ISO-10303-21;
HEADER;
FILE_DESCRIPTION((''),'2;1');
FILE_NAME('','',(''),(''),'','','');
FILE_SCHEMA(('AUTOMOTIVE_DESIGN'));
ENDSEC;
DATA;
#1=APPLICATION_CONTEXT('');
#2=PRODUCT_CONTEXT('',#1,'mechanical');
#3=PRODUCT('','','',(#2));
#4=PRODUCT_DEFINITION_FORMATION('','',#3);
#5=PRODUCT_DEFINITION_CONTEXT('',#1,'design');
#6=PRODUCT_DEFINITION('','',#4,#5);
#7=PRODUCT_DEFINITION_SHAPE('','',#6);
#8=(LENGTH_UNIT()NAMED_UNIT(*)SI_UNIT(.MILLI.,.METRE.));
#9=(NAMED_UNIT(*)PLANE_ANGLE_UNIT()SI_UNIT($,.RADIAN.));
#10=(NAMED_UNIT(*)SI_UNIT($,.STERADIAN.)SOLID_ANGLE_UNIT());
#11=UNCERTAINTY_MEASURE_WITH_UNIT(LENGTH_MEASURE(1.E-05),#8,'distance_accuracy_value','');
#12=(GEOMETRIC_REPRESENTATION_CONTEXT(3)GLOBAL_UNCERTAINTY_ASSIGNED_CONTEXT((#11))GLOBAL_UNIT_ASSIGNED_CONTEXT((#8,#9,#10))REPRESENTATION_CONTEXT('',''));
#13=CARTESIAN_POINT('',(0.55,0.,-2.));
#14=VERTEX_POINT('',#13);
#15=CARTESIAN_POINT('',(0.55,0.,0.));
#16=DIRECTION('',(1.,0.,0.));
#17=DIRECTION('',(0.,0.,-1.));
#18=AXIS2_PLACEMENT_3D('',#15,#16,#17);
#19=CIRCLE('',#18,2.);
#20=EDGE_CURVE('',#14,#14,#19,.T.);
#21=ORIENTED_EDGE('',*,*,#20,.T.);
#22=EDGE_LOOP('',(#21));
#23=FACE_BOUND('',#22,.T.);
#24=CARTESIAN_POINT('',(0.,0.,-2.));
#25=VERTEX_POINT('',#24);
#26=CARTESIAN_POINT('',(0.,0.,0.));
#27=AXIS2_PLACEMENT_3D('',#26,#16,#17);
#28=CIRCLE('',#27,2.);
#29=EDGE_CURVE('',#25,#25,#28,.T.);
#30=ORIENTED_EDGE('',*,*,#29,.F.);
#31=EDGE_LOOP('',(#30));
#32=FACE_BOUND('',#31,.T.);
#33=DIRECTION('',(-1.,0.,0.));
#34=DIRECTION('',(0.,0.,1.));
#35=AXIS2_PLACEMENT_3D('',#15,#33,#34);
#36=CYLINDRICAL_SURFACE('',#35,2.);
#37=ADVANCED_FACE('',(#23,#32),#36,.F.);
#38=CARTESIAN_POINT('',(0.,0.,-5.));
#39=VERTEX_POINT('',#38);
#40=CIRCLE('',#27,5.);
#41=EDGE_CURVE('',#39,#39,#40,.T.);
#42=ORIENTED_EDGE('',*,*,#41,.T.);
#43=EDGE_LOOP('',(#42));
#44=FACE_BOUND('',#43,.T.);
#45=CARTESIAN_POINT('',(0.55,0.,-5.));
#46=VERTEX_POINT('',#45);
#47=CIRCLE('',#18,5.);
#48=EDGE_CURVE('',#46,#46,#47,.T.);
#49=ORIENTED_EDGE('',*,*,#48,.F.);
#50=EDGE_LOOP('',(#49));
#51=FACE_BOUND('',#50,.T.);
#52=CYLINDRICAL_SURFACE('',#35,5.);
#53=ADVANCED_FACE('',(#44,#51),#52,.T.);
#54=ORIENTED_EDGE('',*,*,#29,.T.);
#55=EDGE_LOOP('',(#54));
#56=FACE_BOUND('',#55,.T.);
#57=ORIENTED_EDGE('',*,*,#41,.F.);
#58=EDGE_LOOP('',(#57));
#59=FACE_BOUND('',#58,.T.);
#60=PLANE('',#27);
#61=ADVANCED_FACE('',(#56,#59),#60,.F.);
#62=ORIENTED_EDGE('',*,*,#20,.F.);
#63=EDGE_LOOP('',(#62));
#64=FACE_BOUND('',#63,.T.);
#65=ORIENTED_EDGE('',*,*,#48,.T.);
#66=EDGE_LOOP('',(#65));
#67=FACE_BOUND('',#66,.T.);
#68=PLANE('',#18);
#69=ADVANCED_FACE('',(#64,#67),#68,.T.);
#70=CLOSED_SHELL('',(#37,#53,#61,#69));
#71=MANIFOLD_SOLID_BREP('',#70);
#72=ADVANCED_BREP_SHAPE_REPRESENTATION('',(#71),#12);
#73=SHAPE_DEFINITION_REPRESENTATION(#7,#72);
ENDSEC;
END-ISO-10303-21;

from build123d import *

# Parameters (mm, degrees)
SKETCH1_R          = 5
SKETCH1_R_2        = 2
BASE_EXTRUDE_DEPTH = 0.55


with BuildPart() as part:
    # Sketch1 → Base-Extrude (new body)
    with BuildSketch(Plane(origin=(0, 0, 0), x_dir=(0, 0, -1), z_dir=(1, 0, 0))):
        Circle(SKETCH1_R)
        Circle(SKETCH1_R_2, mode=Mode.SUBTRACT)
    extrude(amount=BASE_EXTRUDE_DEPTH)


solid = part.part
